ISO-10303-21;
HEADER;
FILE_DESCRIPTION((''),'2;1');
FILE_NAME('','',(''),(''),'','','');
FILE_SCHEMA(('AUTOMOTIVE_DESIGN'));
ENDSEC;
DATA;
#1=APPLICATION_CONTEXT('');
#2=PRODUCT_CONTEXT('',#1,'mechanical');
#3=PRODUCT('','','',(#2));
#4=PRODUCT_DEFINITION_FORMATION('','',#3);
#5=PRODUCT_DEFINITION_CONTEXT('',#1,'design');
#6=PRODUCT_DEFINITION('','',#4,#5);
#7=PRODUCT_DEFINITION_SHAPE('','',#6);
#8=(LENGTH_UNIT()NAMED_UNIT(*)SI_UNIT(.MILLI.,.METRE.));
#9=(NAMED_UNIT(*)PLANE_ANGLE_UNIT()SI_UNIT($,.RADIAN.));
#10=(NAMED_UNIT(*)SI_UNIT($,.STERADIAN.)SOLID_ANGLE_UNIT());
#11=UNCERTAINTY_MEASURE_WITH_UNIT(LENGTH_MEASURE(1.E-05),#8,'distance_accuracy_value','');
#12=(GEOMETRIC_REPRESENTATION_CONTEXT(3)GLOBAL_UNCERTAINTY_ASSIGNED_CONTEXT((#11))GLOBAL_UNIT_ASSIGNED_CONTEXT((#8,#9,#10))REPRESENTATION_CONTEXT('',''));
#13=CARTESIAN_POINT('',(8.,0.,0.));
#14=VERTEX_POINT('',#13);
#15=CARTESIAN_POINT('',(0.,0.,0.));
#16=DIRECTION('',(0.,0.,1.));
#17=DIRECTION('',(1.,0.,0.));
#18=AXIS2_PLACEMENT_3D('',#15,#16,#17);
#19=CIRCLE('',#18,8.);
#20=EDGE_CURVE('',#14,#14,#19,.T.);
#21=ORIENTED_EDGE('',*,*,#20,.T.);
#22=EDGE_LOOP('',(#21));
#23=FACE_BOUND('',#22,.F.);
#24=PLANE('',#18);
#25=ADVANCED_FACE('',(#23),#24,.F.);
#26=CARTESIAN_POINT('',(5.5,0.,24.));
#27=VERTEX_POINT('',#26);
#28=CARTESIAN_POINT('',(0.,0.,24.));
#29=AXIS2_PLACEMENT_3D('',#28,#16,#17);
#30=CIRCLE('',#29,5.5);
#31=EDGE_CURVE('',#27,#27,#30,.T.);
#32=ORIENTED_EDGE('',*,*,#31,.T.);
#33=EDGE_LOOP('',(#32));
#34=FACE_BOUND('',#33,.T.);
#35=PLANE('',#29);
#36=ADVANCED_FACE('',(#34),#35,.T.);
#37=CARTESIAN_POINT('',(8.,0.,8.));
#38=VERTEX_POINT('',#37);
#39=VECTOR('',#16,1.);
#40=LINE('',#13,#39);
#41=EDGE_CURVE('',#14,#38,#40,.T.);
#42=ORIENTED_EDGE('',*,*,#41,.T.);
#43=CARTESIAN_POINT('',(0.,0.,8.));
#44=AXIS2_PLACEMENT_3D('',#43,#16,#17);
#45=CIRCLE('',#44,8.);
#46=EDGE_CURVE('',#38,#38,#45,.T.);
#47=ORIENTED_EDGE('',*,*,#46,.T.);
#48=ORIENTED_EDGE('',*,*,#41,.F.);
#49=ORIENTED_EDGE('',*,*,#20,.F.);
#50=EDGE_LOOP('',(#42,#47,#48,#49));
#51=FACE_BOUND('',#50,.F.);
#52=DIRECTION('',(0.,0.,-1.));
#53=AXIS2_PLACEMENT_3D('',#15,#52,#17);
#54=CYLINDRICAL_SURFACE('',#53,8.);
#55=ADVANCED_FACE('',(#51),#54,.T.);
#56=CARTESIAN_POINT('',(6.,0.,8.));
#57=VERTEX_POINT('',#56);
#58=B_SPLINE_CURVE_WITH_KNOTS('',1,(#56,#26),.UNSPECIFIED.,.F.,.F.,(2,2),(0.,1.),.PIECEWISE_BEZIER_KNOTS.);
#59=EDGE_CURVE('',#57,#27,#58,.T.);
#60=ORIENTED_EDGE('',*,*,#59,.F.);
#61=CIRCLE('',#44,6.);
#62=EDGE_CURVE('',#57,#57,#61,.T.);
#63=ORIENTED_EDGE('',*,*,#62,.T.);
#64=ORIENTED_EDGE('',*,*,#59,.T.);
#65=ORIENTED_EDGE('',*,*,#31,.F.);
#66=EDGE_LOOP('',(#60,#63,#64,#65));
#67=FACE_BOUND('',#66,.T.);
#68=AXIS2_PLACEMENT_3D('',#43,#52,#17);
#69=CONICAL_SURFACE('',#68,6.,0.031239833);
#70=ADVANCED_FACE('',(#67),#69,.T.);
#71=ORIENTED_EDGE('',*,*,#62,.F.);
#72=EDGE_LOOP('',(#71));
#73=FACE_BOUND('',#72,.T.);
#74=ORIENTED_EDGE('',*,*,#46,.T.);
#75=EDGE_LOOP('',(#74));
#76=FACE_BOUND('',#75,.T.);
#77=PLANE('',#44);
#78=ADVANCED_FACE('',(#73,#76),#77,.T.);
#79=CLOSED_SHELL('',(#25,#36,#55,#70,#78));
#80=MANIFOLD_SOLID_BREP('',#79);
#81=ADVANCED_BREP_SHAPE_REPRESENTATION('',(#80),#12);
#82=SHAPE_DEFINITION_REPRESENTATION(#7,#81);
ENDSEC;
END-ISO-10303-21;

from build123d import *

# Parameters (mm, degrees)
F0_R     = 8
F1_DEPTH = 8
F2_R     = 6
F4_R     = 5.5


with BuildPart() as f1:
    # F0 (on Top) → F1 (new body)
    with BuildSketch(Plane.XY):
        Circle(F0_R)
    extrude(amount=F1_DEPTH)

    # F2 (on face) → F5 section 0
    with BuildSketch(Plane.XY.offset(8)):
        Circle(F2_R)
    # F4 (on offset) → F5 section 1
    with BuildSketch(Plane.XY.offset(24)):
        Circle(F4_R)
    loft()


solid = f1.part
